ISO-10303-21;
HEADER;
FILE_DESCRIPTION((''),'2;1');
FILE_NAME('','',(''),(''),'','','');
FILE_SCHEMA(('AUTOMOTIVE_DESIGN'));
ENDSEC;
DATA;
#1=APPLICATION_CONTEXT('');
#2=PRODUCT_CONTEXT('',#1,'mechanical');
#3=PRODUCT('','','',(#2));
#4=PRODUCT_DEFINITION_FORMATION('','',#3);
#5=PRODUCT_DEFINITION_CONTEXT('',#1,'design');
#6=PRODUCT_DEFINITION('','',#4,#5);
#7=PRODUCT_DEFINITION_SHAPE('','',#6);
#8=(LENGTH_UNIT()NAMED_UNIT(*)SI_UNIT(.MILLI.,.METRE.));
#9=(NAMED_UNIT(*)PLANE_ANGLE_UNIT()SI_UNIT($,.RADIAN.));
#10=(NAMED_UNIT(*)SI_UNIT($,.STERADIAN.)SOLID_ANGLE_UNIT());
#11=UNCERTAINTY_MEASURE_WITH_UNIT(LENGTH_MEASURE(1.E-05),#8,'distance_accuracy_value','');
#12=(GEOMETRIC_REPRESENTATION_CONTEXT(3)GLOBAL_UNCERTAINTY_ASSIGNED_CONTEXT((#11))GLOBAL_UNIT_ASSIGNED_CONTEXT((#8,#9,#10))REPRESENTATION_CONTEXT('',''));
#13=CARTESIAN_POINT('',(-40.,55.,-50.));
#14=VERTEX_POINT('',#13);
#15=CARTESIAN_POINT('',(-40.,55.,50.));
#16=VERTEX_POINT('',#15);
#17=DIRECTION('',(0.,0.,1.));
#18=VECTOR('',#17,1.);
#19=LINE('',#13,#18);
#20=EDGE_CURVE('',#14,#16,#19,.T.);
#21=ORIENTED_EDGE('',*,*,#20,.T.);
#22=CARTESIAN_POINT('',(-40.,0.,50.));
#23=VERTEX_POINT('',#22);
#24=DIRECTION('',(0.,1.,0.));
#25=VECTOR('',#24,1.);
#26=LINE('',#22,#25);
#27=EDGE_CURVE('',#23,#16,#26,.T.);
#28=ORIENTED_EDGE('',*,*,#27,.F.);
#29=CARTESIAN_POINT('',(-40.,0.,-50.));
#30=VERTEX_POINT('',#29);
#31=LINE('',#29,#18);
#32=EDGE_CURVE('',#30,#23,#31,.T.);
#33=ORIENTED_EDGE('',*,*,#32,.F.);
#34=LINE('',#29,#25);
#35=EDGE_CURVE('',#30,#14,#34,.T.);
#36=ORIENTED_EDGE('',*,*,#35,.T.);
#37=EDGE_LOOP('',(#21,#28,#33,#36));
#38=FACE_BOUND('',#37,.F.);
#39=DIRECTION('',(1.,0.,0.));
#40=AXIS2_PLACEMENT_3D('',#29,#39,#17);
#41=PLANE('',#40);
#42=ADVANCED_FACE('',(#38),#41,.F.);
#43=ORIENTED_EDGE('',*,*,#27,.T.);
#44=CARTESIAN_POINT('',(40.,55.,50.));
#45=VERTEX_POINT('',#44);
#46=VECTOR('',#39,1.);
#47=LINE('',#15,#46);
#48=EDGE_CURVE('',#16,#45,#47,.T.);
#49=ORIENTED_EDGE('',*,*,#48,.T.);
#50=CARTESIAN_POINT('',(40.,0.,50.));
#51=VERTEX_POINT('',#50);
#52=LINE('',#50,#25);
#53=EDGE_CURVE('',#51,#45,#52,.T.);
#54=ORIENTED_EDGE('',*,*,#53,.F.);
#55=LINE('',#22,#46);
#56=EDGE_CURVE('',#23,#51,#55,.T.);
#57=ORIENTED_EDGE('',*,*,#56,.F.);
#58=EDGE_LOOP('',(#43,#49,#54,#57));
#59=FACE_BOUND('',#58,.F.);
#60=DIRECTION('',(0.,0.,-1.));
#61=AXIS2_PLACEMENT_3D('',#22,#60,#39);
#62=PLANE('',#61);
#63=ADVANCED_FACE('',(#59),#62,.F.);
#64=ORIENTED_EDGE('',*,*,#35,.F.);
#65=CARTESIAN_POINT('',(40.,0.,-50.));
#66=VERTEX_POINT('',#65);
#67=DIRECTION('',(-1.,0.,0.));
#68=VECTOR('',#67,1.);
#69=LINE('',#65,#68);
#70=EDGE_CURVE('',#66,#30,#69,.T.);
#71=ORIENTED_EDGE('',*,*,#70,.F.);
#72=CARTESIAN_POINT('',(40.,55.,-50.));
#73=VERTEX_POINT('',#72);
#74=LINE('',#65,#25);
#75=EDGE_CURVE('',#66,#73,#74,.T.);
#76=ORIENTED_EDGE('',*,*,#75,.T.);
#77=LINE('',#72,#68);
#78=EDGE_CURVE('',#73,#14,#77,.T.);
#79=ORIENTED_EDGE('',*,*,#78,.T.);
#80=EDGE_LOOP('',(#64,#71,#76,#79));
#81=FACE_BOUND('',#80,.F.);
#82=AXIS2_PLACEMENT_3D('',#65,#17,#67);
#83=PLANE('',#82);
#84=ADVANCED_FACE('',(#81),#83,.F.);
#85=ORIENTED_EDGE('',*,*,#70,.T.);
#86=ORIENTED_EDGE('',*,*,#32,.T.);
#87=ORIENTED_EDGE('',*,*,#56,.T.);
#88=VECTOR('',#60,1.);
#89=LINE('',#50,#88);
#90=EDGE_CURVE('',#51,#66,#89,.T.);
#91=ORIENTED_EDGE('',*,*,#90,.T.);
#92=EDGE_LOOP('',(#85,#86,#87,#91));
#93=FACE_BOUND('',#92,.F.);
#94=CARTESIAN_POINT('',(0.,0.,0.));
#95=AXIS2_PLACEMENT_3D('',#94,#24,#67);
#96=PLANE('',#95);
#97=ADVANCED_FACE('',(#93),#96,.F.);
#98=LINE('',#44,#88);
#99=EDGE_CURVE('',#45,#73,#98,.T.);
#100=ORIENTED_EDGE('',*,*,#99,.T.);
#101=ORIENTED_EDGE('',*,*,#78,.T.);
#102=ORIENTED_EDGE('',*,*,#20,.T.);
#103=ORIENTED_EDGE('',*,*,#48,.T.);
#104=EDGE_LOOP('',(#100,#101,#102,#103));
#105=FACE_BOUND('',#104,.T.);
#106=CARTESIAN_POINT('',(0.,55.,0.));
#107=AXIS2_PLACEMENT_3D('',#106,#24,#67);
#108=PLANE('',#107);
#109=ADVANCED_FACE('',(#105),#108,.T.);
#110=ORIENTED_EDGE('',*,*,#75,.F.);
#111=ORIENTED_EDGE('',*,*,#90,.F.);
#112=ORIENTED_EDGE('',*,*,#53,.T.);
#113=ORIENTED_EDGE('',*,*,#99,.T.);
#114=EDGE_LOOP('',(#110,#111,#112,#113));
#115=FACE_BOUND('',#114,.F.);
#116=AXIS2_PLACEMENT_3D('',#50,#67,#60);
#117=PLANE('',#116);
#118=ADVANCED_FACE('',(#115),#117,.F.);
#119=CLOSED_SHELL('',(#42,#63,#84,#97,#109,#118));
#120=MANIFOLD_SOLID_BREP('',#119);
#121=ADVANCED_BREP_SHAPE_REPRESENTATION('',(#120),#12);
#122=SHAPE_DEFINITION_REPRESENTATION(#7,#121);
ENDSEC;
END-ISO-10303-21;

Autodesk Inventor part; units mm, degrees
ref_plane "YZ Plane" through (0, 0, 0) normal (1, 0, 0) x (0, 1, 0)
ref_plane "XZ Plane" through (0, 0, 0) normal (0, 1, 0) x (-1, 0, 0)
ref_plane "XY Plane" through (0, 0, 0) normal (0, 0, 1) x (1, 0, 0)
sketch "Sketch1" plane through (0, 0, 0) normal (0, 1, 0) x (-1, 0, 0)
  line L0 (-40, -50) -> (40, -50)
  line L1 (40, -50) -> (40, 50)
  line L2 (40, 50) -> (-40, 50)
  line L3 (-40, 50) -> (-40, -50)
  line L4 (-40, -50) -> (40, 50) construction
  line L5 (40, -50) -> (-40, 50) construction
  point P0 (0, 0)
  dimension "d0" = 80
  dimension "d1" = 100
extrude "Extrusion1" add sketch "Sketch1" along normal blind 55
properties part number "TipDropoff"
